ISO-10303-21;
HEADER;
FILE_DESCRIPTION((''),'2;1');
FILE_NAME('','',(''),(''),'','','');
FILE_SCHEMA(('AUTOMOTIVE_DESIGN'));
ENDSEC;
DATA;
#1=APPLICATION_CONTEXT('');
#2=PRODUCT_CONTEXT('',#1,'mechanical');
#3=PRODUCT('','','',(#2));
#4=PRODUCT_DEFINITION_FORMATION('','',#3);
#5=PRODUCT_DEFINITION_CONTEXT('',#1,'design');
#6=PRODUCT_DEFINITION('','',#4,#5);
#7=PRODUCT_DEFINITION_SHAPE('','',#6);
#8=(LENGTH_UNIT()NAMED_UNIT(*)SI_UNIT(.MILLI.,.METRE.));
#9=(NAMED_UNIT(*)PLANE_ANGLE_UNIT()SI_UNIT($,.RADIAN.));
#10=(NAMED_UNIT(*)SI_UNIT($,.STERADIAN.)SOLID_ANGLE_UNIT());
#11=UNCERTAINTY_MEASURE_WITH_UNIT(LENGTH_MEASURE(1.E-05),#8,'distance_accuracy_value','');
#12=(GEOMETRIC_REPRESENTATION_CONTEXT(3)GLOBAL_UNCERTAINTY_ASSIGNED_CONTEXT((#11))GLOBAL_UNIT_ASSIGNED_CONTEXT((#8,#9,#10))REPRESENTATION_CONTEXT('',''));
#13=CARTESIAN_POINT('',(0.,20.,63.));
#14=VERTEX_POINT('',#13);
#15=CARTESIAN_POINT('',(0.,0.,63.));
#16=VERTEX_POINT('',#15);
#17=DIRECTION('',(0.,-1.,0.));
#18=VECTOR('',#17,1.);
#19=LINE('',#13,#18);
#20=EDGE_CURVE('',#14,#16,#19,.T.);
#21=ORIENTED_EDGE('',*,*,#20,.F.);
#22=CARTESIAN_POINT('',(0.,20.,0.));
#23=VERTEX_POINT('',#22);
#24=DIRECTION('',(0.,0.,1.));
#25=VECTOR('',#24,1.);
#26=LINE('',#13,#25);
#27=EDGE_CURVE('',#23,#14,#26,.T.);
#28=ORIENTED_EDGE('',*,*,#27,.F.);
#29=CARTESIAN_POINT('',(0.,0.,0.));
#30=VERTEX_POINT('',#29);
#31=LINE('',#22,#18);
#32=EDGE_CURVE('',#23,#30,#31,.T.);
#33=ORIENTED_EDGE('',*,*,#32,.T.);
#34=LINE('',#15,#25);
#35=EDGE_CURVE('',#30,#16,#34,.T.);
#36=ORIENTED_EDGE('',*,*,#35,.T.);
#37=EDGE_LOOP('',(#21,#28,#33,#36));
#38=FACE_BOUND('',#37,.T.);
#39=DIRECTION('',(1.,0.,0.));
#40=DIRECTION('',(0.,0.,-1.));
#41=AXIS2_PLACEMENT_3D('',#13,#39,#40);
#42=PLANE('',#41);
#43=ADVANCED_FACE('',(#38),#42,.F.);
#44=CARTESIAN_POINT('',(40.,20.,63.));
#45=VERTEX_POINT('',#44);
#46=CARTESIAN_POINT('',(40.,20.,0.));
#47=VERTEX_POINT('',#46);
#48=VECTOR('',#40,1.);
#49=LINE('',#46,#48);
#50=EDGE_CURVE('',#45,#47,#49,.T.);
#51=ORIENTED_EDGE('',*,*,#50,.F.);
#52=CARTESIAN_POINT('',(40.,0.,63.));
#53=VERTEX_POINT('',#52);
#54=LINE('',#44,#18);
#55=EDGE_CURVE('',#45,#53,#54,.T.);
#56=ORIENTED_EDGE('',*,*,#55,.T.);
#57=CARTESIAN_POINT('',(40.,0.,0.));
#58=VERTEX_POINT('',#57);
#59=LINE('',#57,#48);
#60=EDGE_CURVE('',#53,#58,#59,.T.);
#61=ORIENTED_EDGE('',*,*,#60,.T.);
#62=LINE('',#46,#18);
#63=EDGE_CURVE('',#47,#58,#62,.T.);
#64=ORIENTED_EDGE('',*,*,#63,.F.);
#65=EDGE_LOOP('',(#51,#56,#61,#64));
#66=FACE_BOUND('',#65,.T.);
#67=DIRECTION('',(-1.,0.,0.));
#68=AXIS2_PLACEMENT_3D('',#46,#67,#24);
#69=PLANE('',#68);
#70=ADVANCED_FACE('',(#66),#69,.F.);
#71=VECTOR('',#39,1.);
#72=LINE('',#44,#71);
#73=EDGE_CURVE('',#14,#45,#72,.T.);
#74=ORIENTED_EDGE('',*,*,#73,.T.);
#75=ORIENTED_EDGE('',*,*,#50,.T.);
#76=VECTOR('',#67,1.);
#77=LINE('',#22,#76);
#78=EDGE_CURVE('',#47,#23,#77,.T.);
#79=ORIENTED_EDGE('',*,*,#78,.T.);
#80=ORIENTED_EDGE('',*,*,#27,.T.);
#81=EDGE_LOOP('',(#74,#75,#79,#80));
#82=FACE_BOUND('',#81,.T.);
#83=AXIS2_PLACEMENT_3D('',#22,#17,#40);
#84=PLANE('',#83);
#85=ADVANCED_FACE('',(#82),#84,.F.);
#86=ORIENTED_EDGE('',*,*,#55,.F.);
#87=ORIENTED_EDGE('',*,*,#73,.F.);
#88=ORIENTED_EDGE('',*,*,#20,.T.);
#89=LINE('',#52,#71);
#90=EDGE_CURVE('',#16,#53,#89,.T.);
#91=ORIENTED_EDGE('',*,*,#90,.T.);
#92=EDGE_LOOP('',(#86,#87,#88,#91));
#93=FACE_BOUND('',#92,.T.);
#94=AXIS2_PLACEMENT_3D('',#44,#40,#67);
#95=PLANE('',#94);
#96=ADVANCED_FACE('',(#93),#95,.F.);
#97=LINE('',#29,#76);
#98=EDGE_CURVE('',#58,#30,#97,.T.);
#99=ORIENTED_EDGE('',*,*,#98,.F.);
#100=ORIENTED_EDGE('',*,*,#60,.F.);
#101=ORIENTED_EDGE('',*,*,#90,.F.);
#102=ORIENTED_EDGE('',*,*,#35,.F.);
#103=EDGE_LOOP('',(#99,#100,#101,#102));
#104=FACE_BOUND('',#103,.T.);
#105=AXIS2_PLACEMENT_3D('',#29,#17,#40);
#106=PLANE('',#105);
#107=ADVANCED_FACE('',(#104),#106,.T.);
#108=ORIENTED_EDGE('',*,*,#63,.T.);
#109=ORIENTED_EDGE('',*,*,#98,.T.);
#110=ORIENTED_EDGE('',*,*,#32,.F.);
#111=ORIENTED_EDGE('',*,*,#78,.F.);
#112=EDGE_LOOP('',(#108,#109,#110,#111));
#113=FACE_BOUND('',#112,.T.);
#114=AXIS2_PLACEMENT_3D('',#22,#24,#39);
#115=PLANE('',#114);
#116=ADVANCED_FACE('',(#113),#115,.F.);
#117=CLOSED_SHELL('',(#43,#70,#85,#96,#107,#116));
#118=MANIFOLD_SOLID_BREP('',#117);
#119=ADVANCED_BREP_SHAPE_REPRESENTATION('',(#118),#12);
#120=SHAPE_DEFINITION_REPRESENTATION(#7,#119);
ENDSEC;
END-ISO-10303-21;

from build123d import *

# Parameters (mm, degrees)
SKETCH_1_W      = 40
SKETCH_1_H      = 63
EXTRUDE_1_DEPTH = 20


with BuildPart() as part:
    # 草图1 → 凸台-拉伸1 (new body)
    with BuildSketch(Plane(origin=(0, 0, 0), x_dir=(1, 0, 0), z_dir=(0, 1, 0))):
        with Locations((20, -31.5)):
            Rectangle(SKETCH_1_W, SKETCH_1_H)
    extrude(amount=EXTRUDE_1_DEPTH)


solid = part.part
